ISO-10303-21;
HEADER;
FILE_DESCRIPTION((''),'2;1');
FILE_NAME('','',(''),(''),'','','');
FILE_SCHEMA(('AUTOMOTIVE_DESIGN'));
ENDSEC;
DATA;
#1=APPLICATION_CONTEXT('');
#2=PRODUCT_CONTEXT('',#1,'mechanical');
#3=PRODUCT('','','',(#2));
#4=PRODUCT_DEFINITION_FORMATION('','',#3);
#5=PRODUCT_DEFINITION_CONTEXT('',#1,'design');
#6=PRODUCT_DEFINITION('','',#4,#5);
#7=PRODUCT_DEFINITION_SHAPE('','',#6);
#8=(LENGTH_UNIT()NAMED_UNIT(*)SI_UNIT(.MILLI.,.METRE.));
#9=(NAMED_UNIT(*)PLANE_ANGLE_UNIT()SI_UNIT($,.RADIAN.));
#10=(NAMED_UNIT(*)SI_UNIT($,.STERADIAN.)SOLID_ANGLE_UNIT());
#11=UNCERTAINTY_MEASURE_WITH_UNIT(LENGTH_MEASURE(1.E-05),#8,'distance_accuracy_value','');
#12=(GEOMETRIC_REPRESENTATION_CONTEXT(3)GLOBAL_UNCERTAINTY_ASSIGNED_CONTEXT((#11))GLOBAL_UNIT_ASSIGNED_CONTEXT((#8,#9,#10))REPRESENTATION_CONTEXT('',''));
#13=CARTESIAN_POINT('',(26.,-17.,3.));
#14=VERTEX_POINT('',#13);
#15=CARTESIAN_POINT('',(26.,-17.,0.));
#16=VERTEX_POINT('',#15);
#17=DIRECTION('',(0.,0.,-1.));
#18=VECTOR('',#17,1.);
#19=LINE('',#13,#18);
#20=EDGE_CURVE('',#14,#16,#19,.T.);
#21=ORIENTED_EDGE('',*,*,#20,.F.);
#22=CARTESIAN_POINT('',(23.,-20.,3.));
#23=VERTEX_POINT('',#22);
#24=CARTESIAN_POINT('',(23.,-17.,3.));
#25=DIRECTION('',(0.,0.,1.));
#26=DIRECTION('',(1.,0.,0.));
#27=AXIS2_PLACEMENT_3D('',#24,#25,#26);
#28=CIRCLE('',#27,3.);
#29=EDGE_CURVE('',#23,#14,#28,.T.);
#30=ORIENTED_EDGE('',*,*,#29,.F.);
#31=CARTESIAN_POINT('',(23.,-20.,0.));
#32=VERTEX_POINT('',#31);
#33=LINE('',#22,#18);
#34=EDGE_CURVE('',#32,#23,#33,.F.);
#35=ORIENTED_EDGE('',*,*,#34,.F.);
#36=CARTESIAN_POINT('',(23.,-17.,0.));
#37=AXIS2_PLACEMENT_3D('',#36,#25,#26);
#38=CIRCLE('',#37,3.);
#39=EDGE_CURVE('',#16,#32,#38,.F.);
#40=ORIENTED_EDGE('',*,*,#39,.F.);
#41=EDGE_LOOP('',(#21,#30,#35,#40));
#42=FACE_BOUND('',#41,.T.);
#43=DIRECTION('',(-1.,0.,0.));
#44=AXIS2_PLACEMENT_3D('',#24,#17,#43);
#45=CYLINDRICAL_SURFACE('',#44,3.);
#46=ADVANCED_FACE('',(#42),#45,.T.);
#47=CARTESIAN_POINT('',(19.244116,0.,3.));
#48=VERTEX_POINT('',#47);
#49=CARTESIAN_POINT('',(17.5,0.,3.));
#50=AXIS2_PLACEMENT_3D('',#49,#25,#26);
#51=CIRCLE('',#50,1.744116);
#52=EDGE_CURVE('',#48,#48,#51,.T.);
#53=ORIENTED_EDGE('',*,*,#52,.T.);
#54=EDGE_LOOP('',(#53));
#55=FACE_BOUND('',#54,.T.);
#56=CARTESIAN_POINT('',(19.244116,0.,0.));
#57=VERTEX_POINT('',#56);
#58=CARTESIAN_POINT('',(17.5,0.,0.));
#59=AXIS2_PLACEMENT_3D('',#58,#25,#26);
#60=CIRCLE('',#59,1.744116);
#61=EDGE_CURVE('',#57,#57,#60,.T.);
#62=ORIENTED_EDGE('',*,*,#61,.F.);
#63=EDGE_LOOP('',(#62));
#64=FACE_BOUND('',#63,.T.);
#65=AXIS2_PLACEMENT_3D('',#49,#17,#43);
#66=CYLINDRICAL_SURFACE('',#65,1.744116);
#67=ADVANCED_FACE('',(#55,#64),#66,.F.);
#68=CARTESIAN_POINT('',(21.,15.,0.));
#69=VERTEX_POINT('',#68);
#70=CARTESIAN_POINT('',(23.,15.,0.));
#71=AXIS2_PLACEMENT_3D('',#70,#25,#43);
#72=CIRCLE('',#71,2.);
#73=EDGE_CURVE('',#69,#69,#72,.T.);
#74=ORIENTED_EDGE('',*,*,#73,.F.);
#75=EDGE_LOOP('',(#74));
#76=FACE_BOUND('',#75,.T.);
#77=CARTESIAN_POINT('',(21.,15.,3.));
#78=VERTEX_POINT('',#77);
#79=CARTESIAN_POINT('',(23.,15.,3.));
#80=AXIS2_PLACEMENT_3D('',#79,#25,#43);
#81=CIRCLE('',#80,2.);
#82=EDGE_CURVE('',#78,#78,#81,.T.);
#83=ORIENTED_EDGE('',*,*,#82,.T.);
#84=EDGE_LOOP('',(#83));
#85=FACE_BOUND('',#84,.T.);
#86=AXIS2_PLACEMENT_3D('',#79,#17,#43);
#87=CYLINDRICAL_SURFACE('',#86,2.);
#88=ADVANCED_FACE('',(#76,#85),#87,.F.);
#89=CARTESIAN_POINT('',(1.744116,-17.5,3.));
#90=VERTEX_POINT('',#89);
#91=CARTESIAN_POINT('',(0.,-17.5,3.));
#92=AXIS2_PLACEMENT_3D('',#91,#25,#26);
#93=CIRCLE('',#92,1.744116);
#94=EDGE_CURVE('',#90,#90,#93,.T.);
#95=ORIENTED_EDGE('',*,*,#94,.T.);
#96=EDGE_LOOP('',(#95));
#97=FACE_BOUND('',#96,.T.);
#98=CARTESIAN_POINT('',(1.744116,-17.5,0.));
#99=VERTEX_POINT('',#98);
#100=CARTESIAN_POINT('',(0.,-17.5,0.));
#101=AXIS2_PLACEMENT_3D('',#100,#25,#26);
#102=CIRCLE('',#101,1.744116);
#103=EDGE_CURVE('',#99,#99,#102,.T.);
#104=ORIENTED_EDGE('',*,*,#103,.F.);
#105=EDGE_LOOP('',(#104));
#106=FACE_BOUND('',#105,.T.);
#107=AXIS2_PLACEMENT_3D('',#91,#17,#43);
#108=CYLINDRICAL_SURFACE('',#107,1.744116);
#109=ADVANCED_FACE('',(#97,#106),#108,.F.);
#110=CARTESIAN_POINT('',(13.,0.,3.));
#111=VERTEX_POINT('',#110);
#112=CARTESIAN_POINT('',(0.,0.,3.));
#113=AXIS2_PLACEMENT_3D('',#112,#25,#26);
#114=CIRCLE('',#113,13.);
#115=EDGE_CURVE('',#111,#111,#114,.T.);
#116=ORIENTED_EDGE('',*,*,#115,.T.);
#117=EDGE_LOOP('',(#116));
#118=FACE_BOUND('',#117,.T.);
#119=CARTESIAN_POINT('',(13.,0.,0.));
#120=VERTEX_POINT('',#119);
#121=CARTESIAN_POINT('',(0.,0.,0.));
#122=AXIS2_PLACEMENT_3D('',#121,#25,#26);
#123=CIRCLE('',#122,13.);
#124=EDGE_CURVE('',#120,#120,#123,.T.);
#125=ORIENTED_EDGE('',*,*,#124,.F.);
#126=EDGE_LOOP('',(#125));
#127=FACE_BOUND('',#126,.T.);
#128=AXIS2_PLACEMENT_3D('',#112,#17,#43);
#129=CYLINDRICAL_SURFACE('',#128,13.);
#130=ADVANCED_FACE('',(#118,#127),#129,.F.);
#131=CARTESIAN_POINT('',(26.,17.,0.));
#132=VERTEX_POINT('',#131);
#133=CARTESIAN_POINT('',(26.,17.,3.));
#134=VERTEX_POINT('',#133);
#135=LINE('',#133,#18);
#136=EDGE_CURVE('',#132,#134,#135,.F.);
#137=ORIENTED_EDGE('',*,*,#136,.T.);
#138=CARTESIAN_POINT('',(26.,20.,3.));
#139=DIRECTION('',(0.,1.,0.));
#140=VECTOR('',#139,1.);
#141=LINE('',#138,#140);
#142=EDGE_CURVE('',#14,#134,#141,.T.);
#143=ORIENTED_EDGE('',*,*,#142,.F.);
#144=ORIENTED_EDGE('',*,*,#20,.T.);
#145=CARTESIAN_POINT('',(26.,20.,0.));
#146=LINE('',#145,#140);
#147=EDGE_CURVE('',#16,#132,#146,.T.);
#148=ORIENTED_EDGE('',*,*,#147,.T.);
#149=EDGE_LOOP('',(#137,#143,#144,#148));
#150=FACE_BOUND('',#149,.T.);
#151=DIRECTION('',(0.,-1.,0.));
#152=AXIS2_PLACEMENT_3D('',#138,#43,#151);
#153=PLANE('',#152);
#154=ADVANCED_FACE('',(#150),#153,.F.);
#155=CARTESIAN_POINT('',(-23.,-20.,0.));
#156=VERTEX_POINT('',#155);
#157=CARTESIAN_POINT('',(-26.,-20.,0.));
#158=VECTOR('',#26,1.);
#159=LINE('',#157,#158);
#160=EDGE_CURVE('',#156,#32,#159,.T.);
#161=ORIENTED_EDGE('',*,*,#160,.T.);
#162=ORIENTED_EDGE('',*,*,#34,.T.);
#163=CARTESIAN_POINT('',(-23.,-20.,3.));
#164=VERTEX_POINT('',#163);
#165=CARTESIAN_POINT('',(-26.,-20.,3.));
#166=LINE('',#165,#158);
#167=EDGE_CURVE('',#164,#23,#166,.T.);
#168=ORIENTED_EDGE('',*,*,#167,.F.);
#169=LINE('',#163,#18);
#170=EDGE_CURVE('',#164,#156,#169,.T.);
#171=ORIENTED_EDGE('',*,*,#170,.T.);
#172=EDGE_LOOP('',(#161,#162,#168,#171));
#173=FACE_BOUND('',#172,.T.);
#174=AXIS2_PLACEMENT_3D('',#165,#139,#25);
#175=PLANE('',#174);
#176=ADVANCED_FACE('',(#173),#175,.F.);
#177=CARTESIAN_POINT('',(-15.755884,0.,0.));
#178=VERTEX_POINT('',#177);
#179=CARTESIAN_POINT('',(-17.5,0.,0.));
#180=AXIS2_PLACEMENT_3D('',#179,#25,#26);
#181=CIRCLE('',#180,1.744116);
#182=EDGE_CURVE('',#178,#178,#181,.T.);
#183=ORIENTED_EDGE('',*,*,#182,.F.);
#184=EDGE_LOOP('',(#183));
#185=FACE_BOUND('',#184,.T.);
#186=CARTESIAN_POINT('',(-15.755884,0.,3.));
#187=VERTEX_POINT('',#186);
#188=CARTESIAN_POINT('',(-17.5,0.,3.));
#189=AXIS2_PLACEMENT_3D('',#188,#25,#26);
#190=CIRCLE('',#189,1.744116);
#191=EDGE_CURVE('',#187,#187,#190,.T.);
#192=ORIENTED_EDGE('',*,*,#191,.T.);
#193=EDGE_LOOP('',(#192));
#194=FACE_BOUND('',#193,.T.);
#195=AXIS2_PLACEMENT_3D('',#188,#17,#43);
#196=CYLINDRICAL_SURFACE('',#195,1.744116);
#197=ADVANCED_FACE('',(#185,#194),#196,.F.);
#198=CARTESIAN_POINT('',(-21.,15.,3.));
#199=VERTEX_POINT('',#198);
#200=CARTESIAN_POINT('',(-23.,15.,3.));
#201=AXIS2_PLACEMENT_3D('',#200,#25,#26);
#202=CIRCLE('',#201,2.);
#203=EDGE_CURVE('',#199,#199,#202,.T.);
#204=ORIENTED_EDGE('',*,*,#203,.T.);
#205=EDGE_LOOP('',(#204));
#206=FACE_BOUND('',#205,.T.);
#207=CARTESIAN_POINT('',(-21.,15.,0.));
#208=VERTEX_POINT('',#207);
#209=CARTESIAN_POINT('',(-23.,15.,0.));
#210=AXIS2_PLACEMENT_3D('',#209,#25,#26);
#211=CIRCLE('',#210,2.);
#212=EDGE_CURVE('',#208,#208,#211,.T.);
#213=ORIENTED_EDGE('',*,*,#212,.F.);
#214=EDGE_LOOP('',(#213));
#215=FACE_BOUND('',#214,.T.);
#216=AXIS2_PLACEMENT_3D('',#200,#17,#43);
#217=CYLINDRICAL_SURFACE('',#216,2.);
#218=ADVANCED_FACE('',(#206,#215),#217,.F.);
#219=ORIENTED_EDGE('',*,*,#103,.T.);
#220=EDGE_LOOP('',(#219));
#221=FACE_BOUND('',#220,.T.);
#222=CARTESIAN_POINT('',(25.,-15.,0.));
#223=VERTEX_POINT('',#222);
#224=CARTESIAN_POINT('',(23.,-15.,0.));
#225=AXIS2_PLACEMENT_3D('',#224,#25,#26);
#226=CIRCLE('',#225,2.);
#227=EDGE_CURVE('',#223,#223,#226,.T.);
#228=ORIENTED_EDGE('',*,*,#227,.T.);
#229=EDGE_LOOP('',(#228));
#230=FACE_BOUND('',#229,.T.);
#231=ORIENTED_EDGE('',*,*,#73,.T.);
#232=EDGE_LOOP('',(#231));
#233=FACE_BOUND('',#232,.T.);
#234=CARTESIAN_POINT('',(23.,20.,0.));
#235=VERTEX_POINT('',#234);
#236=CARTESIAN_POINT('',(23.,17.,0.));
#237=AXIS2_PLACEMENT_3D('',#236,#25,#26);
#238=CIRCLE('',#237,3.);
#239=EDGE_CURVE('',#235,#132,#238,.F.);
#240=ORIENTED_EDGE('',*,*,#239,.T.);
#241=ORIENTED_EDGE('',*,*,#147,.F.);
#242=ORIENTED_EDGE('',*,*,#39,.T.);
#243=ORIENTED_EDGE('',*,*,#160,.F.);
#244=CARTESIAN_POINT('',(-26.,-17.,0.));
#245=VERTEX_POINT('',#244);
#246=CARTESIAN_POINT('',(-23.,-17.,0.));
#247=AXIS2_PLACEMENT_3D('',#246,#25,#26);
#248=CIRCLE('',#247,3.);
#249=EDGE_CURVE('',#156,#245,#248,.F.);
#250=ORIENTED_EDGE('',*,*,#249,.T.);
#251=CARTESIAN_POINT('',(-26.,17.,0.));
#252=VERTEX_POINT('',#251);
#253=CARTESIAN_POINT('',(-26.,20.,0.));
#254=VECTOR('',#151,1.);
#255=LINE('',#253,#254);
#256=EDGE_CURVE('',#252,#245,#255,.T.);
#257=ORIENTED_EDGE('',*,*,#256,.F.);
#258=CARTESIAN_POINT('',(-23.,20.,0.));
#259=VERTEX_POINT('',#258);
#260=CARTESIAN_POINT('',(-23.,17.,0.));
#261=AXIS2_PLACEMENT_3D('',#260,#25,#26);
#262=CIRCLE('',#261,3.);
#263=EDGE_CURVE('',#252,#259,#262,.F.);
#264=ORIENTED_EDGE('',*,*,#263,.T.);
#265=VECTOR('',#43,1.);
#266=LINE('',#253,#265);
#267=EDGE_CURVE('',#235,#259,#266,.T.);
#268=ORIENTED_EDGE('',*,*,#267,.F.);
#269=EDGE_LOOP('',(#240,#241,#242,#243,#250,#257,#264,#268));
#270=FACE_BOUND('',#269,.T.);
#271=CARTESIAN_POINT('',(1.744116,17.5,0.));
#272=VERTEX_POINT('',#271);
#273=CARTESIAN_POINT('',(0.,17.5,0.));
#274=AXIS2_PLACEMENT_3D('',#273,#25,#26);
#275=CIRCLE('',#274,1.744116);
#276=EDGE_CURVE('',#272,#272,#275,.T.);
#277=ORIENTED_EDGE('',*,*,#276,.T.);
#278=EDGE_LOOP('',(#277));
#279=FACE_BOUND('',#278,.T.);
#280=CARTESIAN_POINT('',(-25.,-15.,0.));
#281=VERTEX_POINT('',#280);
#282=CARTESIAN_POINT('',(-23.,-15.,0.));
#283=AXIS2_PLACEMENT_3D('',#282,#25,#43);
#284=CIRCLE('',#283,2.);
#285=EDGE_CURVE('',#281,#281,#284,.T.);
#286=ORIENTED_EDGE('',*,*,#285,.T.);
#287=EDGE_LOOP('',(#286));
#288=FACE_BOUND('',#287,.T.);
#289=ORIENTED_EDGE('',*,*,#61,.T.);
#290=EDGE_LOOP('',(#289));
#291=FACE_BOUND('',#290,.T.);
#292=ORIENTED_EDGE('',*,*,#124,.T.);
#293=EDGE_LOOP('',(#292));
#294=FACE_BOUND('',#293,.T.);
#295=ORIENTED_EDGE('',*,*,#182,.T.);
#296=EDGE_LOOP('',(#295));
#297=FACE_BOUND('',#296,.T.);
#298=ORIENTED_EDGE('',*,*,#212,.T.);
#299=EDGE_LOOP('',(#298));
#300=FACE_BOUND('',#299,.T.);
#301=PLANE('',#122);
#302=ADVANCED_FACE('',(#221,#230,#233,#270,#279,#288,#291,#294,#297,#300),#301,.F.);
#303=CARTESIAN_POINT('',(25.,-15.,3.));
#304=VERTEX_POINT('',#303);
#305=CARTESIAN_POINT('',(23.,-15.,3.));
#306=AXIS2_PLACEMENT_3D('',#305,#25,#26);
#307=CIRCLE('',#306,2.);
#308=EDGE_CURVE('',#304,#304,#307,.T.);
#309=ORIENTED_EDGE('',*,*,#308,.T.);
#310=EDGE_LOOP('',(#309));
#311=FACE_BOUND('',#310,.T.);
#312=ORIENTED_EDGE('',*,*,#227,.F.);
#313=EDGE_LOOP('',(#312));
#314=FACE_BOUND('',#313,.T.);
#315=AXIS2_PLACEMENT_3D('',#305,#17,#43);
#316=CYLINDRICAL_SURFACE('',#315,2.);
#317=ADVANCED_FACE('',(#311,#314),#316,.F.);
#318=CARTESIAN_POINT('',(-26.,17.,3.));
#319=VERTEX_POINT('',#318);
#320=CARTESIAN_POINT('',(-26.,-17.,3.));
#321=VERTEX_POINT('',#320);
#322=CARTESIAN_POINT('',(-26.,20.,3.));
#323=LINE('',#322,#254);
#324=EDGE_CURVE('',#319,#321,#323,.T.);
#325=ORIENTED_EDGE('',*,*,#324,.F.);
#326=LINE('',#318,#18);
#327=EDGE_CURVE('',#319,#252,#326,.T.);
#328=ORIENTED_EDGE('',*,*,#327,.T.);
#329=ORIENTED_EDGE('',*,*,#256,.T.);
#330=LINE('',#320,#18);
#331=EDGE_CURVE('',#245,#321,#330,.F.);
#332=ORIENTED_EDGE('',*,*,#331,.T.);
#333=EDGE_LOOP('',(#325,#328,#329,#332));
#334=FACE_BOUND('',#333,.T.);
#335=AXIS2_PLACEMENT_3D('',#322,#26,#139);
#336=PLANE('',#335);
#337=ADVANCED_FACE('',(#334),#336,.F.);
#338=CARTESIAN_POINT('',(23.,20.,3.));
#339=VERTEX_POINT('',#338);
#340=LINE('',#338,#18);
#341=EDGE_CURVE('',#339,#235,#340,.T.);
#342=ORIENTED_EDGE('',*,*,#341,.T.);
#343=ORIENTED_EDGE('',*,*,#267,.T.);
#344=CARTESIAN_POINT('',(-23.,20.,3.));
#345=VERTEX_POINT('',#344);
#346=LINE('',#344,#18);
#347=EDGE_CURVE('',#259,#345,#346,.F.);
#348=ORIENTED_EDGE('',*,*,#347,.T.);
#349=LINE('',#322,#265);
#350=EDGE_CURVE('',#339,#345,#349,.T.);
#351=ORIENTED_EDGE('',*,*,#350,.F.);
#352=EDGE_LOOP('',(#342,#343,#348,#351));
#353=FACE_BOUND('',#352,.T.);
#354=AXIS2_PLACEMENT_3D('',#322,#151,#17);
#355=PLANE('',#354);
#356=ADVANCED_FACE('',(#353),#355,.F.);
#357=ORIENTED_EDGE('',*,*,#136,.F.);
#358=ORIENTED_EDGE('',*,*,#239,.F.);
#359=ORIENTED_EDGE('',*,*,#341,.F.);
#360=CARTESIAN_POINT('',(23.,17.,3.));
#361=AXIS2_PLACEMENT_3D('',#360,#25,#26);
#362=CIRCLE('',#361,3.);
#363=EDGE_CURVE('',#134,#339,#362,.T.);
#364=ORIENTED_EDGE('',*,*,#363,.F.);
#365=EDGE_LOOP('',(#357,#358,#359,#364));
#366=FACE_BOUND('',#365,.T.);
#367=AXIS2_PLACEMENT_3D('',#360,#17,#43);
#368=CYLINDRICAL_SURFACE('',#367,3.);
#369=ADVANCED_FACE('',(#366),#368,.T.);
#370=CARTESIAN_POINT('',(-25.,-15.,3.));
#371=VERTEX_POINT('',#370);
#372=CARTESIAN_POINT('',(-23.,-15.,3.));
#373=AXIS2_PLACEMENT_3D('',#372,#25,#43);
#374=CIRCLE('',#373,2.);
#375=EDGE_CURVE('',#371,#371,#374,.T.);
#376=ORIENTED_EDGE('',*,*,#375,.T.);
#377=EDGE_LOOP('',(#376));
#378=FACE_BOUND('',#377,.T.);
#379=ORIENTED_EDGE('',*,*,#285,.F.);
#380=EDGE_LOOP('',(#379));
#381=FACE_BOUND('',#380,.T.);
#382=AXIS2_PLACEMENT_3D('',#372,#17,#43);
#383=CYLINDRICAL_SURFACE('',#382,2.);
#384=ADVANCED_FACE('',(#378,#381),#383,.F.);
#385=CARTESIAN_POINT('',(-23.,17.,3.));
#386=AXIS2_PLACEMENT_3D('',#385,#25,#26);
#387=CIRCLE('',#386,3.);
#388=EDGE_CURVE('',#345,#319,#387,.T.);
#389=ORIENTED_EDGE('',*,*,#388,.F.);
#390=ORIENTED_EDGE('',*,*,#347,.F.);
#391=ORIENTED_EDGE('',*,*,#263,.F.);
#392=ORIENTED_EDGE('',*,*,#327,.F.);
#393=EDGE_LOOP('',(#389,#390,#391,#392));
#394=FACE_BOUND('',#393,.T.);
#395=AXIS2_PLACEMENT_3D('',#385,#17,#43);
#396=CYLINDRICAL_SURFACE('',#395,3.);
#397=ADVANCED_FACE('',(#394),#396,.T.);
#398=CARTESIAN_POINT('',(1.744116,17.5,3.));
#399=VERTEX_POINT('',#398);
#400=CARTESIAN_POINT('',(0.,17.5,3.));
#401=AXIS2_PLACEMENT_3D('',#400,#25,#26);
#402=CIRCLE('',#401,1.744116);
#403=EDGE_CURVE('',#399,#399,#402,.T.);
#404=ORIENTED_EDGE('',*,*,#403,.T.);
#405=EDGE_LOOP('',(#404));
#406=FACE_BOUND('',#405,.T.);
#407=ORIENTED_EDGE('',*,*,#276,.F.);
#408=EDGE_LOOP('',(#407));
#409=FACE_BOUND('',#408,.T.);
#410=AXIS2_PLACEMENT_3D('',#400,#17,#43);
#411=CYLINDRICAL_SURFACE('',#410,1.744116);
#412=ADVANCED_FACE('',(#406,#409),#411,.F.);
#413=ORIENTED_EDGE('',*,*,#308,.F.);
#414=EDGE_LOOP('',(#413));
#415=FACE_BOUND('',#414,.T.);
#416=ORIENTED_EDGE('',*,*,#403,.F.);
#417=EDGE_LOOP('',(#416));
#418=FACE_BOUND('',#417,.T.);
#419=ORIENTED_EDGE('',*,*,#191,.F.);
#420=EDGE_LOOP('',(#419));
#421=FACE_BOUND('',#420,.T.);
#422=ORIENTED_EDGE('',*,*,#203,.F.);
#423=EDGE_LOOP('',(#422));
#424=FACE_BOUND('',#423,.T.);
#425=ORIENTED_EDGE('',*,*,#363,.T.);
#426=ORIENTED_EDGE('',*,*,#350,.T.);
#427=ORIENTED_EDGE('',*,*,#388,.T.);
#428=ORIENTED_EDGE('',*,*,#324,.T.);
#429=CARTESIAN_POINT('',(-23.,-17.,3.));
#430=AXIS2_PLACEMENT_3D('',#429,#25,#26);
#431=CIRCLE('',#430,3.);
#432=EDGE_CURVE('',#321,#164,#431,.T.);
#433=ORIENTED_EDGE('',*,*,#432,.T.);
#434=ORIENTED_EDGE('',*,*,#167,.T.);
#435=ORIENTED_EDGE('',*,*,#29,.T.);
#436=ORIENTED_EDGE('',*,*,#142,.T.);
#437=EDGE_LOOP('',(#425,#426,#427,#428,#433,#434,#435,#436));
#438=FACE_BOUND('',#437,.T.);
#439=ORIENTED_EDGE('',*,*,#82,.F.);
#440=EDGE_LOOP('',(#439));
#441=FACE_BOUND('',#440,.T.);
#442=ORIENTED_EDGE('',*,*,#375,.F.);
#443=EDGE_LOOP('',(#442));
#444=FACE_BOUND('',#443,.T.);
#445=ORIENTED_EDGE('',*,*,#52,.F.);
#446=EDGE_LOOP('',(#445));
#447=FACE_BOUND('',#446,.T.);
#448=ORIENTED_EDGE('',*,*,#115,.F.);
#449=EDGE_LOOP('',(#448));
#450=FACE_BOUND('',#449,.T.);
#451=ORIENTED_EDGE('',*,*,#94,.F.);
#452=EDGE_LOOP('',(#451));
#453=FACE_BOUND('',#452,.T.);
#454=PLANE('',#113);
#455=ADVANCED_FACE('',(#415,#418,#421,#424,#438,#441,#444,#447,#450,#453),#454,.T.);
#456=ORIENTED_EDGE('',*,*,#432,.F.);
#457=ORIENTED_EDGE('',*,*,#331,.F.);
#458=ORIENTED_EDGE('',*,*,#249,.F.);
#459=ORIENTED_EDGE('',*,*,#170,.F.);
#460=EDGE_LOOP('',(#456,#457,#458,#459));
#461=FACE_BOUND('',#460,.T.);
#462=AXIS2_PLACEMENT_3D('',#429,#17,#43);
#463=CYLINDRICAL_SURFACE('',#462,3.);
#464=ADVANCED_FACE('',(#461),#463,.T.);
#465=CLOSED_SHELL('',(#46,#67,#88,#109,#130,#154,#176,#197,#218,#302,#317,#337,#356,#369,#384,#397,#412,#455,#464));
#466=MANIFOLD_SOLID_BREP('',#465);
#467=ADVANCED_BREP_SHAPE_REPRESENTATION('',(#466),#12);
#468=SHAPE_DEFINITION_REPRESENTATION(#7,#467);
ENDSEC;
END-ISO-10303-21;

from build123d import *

# Parameters (mm, degrees)
SKETCH_1_W      = 52
SKETCH_1_H      = 40
SKETCH_1_R      = 13
SKETCH_1_R_2    = 1.744116192
SKETCH_1_R_3    = 2
EXTRUDE_1_DEPTH = 3
FILLET_1_R      = 3


with BuildPart() as part:
    # 草图1 → 凸台-拉伸1 (new body)
    with BuildSketch(Plane.XY):
        Rectangle(SKETCH_1_W, SKETCH_1_H)
        Circle(SKETCH_1_R, mode=Mode.SUBTRACT)
        with Locations((0, 17.5)):
            Circle(SKETCH_1_R_2, mode=Mode.SUBTRACT)
        with Locations((17.5, 0)):
            Circle(SKETCH_1_R_2, mode=Mode.SUBTRACT)
        with Locations((0, -17.5)):
            Circle(SKETCH_1_R_2, mode=Mode.SUBTRACT)
        with Locations((-17.5, 0)):
            Circle(SKETCH_1_R_2, mode=Mode.SUBTRACT)
        with Locations((-23, 15)):
            Circle(SKETCH_1_R_3, mode=Mode.SUBTRACT)
        with Locations(Location((23, 15, 0), (0, 0, 180))):
            Circle(SKETCH_1_R_3, mode=Mode.SUBTRACT)
        with Locations((23, -15)):
            Circle(SKETCH_1_R_3, mode=Mode.SUBTRACT)
        with Locations(Location((-23, -15, 0), (0, 0, 180))):
            Circle(SKETCH_1_R_3, mode=Mode.SUBTRACT)
    extrude(amount=EXTRUDE_1_DEPTH)

    # 圆角1
    fillet_1_edges = [part.edges().sort_by_distance(p)[0] for p in [
        (-26, 20, 1.5),
        (26, 20, 1.5),
        (26, -20, 1.5),
        (-26, -20, 1.5),
    ]]
    fillet(fillet_1_edges, radius=FILLET_1_R)


solid = part.part
